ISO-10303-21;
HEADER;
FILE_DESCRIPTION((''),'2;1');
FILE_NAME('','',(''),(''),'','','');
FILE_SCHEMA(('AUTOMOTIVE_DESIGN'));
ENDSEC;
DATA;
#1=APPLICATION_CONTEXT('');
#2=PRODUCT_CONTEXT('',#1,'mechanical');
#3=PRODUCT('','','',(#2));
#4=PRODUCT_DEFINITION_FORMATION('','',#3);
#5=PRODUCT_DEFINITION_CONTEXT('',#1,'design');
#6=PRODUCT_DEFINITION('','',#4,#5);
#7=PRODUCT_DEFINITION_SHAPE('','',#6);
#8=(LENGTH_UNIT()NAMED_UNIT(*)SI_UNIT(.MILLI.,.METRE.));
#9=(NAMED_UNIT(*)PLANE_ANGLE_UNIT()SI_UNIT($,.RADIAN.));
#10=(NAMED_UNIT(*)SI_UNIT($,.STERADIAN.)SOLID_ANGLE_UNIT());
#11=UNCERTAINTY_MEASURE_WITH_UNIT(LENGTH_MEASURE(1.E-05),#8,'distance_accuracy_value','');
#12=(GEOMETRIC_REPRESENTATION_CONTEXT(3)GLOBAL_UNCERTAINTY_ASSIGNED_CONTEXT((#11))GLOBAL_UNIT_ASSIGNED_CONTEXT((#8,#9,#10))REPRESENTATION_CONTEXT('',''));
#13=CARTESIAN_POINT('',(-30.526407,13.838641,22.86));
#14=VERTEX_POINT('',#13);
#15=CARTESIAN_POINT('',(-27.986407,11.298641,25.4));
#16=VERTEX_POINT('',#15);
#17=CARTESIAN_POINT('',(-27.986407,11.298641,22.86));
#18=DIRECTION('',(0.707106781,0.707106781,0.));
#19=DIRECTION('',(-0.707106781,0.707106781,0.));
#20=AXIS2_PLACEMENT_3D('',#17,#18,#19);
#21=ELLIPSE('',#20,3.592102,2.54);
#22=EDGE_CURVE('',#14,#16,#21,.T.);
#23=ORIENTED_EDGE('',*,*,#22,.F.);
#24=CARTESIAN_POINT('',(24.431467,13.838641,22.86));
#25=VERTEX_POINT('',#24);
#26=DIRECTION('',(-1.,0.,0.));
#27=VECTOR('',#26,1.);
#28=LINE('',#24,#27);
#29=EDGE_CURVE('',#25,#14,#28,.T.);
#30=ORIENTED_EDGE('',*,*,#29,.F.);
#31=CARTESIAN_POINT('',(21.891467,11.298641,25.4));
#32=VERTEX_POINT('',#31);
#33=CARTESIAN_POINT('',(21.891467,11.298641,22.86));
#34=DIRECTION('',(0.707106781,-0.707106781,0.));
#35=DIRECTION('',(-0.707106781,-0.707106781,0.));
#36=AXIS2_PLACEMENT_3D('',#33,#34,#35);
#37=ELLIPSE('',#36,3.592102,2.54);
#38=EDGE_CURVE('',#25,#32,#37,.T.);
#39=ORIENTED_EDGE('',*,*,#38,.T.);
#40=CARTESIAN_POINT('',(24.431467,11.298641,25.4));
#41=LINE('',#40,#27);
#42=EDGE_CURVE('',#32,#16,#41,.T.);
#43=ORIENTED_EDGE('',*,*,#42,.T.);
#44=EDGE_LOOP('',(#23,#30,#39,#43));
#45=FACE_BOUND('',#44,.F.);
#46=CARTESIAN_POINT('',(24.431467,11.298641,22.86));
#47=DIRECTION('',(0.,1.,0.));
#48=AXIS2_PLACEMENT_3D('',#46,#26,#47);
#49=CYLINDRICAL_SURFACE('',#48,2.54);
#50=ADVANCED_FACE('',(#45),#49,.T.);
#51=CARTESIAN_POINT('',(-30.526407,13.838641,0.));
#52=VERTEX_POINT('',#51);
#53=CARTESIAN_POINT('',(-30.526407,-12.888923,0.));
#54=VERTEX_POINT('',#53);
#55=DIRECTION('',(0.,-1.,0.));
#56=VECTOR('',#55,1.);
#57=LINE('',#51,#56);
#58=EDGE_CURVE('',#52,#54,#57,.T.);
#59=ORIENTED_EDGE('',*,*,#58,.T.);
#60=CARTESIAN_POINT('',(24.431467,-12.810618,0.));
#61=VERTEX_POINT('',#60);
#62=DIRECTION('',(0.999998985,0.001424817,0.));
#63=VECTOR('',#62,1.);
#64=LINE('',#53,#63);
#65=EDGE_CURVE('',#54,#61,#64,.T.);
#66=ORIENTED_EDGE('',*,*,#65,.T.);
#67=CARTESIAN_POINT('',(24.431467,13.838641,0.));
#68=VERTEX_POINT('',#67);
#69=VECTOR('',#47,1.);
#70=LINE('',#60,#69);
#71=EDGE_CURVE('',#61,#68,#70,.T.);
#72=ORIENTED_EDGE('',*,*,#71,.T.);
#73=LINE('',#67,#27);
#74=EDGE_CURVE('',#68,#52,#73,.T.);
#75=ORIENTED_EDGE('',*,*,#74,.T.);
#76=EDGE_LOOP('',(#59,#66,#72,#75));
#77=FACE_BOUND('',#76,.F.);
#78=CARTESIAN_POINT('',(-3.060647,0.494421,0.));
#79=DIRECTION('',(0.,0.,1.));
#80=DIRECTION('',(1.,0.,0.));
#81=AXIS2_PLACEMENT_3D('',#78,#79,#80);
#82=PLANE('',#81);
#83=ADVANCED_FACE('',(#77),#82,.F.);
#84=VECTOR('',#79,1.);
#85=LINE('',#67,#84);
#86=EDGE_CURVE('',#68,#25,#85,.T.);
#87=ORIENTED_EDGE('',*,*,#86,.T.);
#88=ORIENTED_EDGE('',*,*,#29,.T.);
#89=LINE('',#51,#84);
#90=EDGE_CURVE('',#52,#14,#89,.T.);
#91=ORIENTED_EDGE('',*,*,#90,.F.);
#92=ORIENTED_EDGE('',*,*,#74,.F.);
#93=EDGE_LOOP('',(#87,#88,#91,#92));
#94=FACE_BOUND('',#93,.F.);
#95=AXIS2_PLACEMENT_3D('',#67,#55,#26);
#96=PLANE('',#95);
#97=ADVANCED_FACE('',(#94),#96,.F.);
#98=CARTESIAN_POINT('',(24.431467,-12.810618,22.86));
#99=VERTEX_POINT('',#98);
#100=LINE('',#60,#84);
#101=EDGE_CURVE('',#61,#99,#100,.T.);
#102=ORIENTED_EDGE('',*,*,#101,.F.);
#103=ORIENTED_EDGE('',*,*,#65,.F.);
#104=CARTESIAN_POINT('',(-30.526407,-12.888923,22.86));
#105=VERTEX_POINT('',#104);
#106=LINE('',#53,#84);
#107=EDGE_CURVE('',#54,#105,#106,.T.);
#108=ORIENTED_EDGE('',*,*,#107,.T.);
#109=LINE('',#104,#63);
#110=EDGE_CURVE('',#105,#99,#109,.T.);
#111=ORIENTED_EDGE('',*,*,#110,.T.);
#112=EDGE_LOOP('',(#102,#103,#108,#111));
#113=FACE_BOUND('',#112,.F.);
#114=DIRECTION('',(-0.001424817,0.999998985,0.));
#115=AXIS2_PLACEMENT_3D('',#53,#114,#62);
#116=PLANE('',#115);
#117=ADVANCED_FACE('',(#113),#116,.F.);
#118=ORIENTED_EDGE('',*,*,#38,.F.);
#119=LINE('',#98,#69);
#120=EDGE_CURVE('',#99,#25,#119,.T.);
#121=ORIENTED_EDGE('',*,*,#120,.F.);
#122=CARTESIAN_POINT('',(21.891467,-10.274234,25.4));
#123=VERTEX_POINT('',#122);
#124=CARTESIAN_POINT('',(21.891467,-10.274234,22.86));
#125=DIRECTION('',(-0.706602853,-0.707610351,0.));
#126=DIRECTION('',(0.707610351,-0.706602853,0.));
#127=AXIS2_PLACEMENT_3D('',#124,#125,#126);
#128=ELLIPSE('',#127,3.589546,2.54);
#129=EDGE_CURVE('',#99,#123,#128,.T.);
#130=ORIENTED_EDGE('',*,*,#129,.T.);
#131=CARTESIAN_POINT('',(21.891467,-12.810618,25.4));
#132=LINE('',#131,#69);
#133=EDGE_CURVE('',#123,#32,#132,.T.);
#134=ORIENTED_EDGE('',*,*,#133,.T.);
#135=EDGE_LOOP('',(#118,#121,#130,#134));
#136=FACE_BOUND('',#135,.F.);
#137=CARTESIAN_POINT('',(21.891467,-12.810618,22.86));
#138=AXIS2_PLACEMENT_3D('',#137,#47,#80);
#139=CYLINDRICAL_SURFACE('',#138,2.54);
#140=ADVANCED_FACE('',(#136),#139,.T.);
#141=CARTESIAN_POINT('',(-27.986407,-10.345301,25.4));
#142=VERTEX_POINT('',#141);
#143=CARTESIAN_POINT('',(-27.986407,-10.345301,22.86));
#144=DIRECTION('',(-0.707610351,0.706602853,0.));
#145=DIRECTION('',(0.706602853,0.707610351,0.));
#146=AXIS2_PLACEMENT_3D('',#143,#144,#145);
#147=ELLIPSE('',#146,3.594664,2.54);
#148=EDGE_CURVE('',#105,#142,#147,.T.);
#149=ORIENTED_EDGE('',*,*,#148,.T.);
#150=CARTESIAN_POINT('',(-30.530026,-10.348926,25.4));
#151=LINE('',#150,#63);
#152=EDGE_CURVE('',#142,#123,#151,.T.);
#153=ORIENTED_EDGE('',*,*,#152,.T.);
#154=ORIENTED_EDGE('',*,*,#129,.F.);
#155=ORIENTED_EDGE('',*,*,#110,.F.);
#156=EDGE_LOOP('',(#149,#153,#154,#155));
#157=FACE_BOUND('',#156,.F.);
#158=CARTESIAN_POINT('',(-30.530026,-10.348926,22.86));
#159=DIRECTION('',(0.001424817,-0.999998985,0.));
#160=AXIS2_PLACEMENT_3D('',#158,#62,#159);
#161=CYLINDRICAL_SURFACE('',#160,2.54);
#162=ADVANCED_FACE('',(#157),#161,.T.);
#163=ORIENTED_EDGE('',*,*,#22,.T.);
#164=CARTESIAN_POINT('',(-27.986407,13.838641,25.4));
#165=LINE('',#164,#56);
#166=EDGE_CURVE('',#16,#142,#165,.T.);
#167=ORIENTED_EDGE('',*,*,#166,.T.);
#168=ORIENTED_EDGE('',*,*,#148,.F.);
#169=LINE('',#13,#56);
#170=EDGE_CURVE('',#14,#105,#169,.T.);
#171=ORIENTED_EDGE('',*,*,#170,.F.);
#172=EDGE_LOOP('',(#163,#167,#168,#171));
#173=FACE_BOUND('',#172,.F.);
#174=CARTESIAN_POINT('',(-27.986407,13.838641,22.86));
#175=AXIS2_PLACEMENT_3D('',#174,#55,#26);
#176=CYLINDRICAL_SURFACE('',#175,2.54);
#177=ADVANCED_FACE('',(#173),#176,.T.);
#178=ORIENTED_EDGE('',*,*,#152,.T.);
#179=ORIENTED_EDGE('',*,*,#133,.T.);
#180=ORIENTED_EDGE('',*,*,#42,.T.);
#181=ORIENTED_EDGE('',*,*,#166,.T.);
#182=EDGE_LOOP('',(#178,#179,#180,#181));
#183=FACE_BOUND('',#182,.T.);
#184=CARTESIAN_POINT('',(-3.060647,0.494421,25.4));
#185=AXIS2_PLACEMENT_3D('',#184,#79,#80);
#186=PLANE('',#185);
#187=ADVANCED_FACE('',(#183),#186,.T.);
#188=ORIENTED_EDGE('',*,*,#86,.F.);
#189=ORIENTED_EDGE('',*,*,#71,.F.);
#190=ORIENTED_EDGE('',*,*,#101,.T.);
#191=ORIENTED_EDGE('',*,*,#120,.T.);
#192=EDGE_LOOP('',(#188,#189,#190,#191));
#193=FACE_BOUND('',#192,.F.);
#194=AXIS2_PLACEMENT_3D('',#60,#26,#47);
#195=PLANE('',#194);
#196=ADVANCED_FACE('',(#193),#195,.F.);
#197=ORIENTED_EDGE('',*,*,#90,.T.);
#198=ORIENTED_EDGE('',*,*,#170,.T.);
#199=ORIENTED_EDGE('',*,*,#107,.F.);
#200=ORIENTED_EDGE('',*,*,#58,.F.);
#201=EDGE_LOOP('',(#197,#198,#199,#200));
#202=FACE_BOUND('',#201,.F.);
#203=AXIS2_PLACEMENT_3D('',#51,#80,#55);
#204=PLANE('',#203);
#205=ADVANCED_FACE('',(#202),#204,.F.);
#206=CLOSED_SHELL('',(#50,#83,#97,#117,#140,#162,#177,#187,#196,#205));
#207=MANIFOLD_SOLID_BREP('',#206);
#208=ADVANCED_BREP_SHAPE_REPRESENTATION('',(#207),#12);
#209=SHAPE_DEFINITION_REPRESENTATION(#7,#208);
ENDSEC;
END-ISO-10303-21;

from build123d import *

# Parameters (mm, degrees)
F1_DEPTH = 25.4
F2_R     = 2.54


with BuildPart() as f1:
    # F0 (on Top) → F1 (new body)
    with BuildSketch(Plane.XY):
        Polygon((24.431467, 13.838641), (-30.526407, 13.838641), (-30.526407, 0), (-30.526407, -12.888923), (24.431467, -12.810618), align=None)
    extrude(amount=F1_DEPTH)

    # F2
    f2_edges = [f1.edges().sort_by_distance(p)[0] for p in [
        (-3.04747, -12.84977, 25.4),
        (-3.04747, 13.838641, 25.4),
        (24.431467, 0.514012, 25.4),
        (-30.526407, 0.474859, 25.4),
    ]]
    fillet(f2_edges, radius=F2_R)


solid = f1.part
